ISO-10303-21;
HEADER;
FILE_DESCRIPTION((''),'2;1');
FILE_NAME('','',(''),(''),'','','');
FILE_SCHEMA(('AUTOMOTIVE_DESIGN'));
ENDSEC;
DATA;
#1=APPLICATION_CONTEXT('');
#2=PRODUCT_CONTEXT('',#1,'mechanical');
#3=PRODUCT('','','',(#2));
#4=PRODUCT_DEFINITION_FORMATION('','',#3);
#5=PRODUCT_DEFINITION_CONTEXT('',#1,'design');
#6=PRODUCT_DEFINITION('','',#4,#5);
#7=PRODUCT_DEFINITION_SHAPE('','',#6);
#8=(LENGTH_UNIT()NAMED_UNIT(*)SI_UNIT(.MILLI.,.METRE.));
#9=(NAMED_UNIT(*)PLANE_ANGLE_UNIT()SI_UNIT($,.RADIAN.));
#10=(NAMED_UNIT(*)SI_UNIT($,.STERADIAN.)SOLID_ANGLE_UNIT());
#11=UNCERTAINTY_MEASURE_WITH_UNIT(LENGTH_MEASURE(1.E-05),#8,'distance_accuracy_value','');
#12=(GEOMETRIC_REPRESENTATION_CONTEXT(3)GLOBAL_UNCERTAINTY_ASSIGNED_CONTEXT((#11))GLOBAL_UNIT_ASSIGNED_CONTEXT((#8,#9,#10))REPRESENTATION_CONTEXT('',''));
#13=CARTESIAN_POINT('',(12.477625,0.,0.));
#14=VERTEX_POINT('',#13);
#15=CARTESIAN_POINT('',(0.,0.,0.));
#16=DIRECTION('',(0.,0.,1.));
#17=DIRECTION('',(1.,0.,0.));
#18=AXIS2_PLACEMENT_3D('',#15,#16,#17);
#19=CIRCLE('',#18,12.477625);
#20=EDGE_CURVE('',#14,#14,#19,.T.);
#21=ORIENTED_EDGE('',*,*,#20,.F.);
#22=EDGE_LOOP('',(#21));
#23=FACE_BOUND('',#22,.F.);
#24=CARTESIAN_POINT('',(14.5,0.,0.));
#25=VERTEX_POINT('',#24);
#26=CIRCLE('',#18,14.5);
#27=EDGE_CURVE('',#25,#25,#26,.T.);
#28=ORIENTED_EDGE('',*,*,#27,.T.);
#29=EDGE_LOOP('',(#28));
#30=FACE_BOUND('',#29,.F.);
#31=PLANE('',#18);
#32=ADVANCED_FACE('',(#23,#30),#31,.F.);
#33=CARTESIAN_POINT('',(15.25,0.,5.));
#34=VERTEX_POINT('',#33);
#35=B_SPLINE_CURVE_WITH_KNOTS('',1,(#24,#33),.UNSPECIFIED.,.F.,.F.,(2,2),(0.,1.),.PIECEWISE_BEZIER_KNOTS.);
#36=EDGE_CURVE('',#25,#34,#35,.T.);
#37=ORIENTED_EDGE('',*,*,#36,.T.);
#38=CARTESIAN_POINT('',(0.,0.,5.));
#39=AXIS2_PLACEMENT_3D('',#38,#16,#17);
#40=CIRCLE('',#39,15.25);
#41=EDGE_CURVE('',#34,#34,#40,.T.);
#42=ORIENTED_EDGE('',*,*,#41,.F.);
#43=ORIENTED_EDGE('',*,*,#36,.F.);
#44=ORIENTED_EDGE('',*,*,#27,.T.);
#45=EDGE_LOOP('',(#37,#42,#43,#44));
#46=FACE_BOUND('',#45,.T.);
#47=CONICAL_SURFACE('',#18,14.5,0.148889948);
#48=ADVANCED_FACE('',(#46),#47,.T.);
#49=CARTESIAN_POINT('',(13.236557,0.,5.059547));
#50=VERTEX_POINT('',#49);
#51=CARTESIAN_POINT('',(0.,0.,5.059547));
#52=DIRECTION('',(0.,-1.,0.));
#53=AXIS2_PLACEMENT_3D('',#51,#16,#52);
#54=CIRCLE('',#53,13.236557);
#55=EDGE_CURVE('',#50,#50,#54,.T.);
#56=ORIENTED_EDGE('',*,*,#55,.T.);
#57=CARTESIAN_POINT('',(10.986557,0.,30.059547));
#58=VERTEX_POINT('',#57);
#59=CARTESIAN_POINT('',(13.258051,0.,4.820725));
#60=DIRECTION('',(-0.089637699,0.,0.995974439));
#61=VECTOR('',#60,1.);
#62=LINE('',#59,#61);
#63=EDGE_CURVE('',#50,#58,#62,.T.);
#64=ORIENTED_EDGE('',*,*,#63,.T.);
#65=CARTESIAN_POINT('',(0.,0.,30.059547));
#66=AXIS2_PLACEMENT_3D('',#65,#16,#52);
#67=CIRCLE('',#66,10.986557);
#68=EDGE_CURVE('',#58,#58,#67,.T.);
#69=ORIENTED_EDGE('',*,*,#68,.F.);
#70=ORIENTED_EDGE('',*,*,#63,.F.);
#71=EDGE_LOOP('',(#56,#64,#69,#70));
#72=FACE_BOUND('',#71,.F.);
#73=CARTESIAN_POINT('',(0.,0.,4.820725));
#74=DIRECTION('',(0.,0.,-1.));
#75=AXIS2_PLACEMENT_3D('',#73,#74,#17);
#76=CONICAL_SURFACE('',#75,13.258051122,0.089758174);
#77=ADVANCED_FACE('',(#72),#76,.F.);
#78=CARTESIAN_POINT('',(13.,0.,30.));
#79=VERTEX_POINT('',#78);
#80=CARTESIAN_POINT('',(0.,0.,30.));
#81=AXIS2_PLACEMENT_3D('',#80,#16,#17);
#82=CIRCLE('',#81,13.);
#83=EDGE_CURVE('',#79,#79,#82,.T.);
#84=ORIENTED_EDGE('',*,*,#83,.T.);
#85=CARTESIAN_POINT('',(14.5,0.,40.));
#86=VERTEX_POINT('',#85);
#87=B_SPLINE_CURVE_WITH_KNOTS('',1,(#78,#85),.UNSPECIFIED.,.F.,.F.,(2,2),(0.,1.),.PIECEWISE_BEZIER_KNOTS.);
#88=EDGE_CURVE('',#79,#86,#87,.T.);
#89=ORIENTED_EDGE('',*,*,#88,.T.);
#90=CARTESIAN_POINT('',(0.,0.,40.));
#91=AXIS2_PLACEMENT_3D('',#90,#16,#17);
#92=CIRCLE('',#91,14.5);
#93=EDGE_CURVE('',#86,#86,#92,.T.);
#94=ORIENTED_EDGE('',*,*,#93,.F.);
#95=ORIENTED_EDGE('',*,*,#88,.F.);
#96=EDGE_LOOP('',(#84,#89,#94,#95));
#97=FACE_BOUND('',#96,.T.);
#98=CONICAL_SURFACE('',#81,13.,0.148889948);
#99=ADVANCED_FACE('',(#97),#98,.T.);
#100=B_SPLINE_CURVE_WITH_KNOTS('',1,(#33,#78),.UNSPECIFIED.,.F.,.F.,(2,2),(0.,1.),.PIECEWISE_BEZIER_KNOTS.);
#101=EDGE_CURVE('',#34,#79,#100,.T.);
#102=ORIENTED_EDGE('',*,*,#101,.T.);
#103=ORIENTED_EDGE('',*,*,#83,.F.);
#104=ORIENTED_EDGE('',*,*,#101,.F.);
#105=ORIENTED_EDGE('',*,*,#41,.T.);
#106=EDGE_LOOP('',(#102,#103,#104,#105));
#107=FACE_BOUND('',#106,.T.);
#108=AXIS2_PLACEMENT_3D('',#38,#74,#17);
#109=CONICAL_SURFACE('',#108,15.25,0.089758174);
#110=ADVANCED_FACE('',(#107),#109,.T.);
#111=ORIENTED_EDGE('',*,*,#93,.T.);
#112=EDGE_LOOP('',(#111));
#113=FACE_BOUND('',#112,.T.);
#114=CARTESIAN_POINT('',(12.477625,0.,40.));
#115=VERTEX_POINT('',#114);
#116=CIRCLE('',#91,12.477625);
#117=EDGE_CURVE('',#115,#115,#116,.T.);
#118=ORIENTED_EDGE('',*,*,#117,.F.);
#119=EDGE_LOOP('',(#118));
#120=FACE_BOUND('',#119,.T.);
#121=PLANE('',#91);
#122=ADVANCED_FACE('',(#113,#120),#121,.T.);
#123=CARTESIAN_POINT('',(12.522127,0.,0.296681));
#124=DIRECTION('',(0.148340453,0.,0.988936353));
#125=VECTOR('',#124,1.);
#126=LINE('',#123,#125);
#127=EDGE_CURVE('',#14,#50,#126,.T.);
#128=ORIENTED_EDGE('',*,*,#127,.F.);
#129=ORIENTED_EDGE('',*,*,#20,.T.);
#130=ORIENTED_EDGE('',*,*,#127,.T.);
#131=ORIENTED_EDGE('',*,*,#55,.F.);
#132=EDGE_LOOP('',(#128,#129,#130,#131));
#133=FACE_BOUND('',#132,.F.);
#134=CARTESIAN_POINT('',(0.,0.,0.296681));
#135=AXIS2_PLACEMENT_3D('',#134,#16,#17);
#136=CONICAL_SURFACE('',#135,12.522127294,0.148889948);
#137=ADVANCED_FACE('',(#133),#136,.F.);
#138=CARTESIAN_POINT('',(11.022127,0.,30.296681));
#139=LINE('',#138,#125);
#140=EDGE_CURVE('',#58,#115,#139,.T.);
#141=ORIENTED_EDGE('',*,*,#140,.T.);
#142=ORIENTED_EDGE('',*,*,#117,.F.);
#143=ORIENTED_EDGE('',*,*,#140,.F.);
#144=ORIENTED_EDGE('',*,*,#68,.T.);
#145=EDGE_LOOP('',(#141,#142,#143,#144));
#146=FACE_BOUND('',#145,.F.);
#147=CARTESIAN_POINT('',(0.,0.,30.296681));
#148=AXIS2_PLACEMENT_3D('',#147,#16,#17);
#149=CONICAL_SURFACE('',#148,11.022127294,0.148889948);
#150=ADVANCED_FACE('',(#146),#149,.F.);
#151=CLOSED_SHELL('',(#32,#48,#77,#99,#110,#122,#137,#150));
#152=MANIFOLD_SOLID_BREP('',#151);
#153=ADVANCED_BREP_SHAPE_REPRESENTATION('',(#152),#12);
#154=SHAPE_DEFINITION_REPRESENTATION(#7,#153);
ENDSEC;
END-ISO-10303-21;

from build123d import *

# Parameters (mm, degrees)
F0_R      = 14.5
F2_R      = 15.25
F3_FACE_R = 15.25
F5_R      = 13
F6_FACE_R = 13
F8_R      = 14.5
F10_T     = -2


with BuildPart() as f3:
    # F0 (on Top) → F3 section 0
    with BuildSketch(Plane.XY):
        Circle(F0_R)
    # F2 (on offset) → F3 section 1
    with BuildSketch(Plane.XY.offset(5)):
        Circle(F2_R)
    loft()

    # F3_face (on face) → F6 section 0
    with BuildSketch(Plane.XY.offset(5)):
        Circle(F3_FACE_R)
    # F5 (on offset) → F6 section 1
    with BuildSketch(Plane.XY.offset(30)):
        Circle(F5_R)
    loft()

    # F6_face (on face) → F9 section 0
    with BuildSketch(Plane.XY.offset(30)):
        Circle(F6_FACE_R)
    # F8 (on offset) → F9 section 1
    with BuildSketch(Plane.XY.offset(40)):
        Circle(F8_R)
    loft()

    # F10
    f10_openings = [f3.faces().sort_by_distance(p)[0] for p in [
        (0, 0, 40),
        (0, 0, 0),
    ]]
    offset(amount=F10_T, openings=f10_openings, kind=Kind.INTERSECTION)


solid = f3.part
